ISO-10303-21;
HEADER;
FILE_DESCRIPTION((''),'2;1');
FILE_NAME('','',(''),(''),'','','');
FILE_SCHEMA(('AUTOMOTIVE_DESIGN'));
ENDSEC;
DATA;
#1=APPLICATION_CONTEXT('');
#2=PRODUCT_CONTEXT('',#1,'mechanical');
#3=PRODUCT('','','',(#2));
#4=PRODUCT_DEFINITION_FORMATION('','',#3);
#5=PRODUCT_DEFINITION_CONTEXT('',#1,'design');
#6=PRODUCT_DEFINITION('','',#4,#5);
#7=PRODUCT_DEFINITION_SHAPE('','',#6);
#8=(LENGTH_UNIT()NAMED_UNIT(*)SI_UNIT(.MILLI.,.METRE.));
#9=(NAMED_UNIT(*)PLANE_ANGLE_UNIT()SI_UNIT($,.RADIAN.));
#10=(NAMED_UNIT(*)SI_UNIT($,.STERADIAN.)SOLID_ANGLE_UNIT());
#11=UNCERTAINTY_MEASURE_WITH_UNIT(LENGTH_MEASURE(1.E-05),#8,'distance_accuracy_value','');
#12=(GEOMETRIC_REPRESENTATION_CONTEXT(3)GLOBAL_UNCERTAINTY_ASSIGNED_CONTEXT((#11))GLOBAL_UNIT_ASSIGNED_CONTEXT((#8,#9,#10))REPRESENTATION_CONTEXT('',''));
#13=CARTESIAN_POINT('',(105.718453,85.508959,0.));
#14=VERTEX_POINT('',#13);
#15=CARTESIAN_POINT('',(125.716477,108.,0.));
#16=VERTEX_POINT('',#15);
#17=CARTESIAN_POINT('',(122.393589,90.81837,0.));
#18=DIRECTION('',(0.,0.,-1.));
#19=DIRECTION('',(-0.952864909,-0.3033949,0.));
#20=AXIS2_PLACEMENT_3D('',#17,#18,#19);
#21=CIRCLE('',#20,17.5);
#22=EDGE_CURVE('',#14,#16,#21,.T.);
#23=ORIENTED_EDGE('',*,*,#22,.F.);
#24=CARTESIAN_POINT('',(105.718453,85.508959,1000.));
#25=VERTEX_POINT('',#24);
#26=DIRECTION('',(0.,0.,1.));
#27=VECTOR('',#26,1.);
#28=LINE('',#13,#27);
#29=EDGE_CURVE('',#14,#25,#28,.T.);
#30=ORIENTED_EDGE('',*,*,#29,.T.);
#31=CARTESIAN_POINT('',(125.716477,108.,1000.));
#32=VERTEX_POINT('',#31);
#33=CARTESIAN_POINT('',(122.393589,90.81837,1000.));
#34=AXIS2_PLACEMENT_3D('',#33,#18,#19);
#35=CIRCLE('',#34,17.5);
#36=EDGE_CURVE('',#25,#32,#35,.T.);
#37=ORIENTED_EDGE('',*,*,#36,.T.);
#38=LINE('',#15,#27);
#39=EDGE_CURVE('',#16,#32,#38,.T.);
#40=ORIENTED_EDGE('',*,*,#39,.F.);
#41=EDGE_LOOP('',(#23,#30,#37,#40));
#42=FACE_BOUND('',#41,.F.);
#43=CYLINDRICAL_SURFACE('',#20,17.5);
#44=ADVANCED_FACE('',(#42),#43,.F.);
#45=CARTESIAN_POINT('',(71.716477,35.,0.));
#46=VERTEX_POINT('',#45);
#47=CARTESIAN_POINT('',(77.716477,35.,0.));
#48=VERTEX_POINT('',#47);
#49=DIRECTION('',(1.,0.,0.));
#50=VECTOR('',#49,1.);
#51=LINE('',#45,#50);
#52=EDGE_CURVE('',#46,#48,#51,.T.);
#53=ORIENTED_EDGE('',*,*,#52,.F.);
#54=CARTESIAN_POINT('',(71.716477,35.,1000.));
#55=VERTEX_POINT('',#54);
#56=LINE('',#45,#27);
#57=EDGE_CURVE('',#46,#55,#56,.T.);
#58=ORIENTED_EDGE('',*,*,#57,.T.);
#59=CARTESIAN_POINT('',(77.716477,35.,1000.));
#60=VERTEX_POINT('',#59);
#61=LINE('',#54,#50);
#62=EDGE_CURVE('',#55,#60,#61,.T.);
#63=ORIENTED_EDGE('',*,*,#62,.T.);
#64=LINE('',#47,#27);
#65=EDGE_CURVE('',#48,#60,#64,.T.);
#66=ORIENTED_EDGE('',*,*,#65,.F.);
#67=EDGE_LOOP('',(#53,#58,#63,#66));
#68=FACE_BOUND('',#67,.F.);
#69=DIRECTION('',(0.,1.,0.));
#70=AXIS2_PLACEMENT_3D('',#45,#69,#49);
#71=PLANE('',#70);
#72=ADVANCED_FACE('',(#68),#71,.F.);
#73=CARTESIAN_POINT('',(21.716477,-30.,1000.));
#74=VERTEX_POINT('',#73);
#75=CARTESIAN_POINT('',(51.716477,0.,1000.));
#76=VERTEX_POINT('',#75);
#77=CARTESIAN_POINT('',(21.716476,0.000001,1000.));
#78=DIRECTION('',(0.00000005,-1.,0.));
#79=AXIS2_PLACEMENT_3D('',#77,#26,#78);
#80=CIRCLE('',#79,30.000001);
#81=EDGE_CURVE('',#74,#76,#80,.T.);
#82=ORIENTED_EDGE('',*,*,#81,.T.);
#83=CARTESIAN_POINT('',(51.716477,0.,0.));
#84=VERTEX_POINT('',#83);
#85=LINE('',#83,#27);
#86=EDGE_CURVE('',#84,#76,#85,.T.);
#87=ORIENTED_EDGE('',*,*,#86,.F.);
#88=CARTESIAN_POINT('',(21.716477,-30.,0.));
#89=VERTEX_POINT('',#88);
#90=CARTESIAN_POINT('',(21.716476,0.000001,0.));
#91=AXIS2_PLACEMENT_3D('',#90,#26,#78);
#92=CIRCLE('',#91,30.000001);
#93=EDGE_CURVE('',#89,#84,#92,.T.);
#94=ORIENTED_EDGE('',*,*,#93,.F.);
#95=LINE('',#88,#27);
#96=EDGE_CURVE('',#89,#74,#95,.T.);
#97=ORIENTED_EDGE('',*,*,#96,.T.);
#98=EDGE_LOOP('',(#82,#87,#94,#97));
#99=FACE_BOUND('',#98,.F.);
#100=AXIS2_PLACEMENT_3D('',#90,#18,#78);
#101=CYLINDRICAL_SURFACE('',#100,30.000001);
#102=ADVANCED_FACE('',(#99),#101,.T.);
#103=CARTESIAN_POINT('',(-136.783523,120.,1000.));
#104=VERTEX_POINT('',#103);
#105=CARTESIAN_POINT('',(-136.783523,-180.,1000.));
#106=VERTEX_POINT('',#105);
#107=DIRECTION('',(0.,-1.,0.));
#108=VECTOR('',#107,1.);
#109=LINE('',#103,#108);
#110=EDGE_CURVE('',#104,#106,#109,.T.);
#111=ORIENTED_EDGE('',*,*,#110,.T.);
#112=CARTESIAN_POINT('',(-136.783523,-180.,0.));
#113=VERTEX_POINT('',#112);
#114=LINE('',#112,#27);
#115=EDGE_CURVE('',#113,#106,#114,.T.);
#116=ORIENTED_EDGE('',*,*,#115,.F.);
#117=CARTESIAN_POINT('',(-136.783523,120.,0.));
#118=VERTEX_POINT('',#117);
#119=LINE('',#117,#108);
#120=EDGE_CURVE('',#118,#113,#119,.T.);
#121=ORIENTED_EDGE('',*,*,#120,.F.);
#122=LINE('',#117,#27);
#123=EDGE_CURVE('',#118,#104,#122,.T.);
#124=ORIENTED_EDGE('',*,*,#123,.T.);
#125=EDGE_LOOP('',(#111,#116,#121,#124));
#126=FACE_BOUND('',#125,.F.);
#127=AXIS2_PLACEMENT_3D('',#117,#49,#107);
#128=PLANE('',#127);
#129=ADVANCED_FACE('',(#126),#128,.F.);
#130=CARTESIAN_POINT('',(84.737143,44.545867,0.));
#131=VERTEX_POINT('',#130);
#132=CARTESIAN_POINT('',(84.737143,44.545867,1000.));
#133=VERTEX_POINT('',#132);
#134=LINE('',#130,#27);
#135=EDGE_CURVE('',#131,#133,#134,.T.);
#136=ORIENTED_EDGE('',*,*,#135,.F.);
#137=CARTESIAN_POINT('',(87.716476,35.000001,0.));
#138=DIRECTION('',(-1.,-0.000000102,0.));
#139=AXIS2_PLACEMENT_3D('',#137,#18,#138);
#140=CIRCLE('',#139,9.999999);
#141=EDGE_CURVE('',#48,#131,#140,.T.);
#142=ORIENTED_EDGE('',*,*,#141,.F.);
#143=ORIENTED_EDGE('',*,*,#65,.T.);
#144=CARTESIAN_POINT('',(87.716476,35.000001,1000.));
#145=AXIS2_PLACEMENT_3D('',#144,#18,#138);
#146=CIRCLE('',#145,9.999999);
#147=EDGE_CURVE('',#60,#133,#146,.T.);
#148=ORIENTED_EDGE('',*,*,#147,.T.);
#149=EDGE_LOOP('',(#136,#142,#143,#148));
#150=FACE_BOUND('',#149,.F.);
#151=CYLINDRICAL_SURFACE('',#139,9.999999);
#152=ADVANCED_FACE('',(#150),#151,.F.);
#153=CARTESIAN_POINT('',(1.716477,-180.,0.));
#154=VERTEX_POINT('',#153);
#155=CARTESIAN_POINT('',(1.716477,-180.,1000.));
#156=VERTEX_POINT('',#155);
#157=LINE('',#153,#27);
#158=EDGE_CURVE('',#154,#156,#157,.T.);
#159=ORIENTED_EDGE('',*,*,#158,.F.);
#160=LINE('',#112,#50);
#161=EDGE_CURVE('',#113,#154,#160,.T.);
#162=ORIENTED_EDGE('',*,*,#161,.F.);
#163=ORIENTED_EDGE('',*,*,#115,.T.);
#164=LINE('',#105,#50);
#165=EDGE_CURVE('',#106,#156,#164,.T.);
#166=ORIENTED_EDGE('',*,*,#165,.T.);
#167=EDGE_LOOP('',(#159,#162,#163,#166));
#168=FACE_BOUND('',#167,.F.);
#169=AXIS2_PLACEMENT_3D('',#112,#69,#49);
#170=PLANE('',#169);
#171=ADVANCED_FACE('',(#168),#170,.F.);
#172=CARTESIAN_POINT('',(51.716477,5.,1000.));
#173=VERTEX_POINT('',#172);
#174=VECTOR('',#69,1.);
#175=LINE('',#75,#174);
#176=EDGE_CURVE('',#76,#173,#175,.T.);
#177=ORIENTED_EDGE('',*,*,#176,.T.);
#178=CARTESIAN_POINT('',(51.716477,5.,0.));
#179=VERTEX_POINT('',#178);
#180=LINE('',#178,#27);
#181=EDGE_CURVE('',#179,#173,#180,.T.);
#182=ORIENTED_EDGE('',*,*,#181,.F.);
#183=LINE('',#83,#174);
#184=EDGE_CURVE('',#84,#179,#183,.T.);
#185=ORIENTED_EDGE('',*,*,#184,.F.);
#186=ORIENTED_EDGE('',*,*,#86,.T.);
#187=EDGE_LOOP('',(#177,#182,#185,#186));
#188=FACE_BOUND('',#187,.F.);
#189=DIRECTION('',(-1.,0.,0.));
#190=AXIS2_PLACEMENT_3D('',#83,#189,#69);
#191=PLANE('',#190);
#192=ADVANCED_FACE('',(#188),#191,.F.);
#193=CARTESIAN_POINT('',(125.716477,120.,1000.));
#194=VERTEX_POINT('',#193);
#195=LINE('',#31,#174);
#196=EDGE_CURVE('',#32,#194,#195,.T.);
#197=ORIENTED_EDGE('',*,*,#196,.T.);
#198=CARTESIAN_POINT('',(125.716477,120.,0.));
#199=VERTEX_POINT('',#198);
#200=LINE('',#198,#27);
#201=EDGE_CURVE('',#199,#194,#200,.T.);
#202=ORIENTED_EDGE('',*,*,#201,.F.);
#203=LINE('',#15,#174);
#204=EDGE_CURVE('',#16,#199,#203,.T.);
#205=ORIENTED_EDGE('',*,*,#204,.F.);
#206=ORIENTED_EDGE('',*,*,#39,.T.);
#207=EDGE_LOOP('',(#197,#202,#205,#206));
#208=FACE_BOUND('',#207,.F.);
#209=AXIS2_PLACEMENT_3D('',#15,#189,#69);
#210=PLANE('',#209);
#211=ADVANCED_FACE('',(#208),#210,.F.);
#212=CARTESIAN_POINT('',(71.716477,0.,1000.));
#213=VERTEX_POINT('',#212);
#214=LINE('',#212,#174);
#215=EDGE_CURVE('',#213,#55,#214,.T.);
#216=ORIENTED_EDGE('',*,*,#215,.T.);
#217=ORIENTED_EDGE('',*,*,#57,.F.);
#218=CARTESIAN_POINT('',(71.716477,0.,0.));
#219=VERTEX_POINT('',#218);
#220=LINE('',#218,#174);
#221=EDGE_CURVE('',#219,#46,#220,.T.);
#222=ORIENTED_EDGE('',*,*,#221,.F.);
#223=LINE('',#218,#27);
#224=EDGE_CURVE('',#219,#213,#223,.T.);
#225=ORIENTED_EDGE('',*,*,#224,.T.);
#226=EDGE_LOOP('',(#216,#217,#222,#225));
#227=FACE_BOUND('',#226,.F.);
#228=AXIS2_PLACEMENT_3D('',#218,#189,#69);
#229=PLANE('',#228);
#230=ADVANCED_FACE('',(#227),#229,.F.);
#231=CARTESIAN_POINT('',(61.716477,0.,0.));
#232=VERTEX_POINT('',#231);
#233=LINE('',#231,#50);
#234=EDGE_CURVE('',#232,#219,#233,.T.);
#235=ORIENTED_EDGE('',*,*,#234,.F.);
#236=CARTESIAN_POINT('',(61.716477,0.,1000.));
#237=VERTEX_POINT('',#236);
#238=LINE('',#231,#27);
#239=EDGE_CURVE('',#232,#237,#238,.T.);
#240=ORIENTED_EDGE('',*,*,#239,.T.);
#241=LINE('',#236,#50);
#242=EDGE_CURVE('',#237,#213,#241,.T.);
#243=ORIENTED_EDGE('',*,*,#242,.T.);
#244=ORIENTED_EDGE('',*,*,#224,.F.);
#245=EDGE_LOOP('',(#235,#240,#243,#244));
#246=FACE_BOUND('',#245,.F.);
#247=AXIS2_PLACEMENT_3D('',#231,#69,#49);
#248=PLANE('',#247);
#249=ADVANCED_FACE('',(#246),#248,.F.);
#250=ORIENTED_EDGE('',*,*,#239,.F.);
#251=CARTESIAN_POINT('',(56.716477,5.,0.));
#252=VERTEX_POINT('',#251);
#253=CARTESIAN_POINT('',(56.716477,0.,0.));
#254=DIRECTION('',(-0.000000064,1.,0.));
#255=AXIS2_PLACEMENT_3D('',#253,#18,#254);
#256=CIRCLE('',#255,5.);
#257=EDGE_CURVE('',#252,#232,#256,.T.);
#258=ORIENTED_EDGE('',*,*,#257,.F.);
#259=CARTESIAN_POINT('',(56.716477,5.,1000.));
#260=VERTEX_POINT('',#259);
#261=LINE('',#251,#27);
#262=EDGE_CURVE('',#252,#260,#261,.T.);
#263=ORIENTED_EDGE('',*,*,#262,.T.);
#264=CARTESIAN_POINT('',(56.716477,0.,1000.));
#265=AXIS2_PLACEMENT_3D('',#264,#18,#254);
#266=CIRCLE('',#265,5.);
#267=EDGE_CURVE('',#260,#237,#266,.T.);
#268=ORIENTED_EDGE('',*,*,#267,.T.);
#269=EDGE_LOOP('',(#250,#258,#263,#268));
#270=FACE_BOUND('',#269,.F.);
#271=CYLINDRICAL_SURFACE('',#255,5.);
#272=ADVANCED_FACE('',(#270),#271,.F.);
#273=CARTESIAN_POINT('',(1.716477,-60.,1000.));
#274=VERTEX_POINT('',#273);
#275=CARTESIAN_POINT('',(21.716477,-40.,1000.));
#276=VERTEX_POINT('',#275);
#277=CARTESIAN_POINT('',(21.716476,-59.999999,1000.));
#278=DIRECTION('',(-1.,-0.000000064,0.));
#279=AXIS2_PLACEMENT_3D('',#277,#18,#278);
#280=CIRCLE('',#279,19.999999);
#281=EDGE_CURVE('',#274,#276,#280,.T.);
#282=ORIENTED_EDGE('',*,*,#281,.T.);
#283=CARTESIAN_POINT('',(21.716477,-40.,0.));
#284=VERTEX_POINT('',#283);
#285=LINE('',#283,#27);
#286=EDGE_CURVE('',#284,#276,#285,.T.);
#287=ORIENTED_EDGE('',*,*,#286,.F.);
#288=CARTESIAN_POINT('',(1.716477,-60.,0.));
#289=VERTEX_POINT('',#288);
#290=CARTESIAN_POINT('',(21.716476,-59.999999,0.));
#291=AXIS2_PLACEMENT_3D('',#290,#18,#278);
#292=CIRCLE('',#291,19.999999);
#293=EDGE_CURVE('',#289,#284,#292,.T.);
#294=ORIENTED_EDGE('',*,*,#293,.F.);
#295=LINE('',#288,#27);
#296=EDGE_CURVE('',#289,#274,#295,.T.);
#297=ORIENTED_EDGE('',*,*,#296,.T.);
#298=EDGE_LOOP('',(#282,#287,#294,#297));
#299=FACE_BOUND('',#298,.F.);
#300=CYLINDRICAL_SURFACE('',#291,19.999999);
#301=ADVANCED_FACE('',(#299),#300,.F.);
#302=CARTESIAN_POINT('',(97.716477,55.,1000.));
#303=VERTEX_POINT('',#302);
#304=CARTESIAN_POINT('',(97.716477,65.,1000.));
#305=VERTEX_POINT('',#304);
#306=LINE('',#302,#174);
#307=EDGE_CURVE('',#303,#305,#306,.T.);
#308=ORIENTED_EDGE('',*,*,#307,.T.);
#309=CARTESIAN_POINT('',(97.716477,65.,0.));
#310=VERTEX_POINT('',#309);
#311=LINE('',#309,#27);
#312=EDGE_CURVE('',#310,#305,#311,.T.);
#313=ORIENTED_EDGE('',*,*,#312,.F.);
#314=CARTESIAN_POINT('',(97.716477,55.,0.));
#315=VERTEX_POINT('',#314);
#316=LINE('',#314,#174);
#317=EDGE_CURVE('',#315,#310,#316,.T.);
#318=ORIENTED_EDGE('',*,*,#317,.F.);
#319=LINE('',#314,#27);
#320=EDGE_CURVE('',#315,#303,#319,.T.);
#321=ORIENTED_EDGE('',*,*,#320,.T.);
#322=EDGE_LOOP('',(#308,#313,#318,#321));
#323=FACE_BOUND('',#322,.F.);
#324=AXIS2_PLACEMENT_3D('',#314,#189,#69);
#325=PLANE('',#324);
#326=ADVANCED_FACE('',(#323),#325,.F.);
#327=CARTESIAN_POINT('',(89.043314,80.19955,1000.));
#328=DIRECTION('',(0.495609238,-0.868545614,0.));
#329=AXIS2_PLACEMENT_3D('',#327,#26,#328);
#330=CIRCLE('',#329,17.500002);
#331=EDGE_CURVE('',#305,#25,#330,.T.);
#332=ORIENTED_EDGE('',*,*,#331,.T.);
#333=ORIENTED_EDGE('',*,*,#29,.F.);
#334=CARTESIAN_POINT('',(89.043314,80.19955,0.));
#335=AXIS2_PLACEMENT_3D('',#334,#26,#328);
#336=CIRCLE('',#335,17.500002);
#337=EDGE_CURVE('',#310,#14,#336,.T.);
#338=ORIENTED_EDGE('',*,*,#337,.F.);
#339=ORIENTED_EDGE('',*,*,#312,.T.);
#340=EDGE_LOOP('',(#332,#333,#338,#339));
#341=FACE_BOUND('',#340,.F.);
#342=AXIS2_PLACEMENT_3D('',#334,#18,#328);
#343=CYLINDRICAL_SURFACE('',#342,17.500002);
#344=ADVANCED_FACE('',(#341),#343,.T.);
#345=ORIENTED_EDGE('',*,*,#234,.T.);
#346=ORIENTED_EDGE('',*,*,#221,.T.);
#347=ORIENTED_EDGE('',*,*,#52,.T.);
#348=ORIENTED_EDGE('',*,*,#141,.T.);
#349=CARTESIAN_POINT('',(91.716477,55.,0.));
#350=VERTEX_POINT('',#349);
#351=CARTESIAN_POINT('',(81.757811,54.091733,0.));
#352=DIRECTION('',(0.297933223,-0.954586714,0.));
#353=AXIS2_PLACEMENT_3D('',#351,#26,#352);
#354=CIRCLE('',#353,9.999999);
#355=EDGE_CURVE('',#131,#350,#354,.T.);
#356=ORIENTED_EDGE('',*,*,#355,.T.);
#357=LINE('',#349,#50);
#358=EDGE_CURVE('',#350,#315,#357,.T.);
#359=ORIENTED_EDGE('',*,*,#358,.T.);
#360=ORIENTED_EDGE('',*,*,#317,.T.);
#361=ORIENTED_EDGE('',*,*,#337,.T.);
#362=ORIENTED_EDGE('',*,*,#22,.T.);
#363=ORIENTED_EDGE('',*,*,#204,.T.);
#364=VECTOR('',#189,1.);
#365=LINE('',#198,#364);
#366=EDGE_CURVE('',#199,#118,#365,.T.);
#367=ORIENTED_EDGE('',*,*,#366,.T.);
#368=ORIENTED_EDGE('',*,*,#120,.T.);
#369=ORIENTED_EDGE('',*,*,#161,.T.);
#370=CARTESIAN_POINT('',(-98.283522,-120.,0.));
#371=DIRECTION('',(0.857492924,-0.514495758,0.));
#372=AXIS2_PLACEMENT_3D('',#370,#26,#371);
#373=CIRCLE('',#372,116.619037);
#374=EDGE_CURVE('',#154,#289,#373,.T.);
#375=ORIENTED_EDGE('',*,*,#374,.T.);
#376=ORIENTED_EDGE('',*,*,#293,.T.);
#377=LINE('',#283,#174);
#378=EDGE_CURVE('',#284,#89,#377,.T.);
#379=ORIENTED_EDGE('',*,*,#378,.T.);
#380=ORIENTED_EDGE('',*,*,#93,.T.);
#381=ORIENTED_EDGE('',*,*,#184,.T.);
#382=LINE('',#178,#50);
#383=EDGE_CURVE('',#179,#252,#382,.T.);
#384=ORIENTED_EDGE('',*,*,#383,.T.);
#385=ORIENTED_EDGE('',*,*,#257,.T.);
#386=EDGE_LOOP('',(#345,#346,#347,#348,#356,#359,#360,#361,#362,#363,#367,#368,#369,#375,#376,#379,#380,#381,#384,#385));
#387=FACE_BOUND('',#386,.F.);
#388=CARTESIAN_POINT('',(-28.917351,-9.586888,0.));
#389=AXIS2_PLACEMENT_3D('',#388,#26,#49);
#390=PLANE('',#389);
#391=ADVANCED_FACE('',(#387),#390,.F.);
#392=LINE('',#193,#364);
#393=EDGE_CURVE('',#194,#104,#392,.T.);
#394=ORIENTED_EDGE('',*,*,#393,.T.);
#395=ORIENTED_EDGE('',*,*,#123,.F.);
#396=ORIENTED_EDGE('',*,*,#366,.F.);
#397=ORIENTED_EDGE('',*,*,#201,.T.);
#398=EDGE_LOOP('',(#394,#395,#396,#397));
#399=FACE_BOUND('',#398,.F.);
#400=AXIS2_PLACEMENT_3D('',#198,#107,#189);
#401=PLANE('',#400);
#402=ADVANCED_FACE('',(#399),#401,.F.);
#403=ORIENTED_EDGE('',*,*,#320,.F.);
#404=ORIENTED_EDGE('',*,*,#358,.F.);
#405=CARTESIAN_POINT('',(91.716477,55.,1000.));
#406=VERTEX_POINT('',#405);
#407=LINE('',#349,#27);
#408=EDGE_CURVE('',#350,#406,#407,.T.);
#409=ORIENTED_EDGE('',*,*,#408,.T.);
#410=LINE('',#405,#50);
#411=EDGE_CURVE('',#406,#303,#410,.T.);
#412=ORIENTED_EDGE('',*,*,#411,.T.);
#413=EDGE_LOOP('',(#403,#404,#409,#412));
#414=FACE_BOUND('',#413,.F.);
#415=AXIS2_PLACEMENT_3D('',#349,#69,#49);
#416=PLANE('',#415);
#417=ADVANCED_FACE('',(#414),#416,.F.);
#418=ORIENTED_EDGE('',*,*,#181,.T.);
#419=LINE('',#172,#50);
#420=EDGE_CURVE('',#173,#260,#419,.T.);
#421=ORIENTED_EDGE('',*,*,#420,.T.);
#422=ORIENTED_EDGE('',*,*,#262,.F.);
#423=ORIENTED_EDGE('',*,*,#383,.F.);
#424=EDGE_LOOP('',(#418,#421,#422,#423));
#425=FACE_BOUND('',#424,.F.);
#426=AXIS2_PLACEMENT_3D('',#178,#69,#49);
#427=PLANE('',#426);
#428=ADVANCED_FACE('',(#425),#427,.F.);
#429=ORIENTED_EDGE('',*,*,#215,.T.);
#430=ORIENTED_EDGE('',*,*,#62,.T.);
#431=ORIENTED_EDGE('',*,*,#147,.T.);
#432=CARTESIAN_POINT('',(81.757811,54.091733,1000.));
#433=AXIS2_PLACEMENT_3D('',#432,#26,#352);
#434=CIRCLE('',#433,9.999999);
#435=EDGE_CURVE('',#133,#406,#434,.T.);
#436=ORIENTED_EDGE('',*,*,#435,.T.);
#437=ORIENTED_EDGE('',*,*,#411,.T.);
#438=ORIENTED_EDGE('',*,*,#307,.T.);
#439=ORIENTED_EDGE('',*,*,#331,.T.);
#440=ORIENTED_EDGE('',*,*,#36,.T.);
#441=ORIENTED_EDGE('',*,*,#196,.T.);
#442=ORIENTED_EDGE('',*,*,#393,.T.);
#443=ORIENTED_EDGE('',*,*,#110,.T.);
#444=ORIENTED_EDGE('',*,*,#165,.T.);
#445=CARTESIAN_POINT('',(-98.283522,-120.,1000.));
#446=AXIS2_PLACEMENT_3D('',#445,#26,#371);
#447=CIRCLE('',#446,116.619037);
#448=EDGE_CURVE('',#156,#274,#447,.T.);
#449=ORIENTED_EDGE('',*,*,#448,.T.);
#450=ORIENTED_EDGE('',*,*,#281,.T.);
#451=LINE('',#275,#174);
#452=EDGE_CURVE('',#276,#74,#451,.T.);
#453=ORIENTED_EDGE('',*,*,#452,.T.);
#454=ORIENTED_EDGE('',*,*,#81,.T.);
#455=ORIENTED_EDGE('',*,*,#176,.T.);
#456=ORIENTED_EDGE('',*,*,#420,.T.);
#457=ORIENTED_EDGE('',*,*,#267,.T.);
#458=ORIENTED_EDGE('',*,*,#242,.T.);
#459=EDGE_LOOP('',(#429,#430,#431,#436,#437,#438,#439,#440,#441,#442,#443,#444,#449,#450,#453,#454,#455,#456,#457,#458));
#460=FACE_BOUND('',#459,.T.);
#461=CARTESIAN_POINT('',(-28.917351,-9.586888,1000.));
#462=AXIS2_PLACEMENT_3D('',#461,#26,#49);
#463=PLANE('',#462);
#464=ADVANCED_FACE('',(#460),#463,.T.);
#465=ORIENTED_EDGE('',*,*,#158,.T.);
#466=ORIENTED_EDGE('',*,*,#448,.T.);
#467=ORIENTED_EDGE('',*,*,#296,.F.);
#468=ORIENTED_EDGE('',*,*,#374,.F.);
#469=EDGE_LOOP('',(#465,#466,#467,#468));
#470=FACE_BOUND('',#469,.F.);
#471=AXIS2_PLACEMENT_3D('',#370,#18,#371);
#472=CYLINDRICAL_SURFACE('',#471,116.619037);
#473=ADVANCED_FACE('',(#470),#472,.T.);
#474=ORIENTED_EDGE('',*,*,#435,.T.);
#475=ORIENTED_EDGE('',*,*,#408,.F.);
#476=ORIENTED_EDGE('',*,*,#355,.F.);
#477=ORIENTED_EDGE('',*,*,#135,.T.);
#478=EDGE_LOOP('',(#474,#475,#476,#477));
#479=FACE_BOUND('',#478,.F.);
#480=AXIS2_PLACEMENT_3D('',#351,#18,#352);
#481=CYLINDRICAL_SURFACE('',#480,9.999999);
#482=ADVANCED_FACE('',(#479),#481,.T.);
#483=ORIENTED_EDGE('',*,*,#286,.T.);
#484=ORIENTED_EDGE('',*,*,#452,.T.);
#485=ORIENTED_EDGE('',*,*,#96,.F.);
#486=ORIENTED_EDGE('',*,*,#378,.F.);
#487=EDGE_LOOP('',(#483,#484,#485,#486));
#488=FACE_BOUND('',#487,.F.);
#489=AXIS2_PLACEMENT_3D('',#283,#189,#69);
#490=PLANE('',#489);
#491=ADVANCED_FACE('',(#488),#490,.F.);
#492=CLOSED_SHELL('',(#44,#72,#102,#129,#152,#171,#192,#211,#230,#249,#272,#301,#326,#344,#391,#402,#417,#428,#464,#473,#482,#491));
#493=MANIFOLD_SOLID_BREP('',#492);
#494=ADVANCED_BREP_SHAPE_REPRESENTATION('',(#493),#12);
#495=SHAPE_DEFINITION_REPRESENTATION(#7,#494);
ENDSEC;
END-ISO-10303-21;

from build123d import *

# Parameters (mm, degrees)
F1_DEPTH = 1000


with BuildPart() as f1:
    # F0 (on Top) → F1 (new body)
    with BuildSketch(Plane.XY):
        with BuildLine():
            Line((125.716477, 120), (-136.783523, 120))
            Line((-136.783523, 120), (-136.783523, -180))
            Line((-136.783523, -180), (1.716477, -180))
            ThreePointArc((1.716477, -180), (18.335515, -120), (1.716477, -60))
            ThreePointArc((1.716477, -60), (7.574341, -45.857864), (21.716477, -40))
            Line((21.716477, -40), (21.716477, -30))
            ThreePointArc((21.716477, -30), (42.92968, -21.213203), (51.716477, 0))
            Line((51.716477, 0), (51.716477, 5))
            Line((51.716477, 5), (56.716477, 5))
            ThreePointArc((56.716477, 5), (60.252011, 3.535534), (61.716477, 0))
            Line((61.716477, 0), (71.716477, 0))
            Line((71.716477, 0), (71.716477, 35))
            Line((71.716477, 35), (77.716477, 35))
            ThreePointArc((77.716477, 35), (79.66063, 40.924807), (84.737143, 44.545867))
            ThreePointArc((84.737143, 44.545867), (90.074672, 48.539274), (91.716477, 55))
            Line((91.716477, 55), (97.716477, 55))
            Line((97.716477, 55), (97.716477, 65))
            ThreePointArc((97.716477, 65), (105.346334, 73.838605), (105.718453, 85.508959))
            ThreePointArc((105.718453, 85.508959), (109.315655, 102.446682), (125.716477, 108))
            Line((125.716477, 108), (125.716477, 120))
        make_face()
    extrude(amount=F1_DEPTH)


solid = f1.part
